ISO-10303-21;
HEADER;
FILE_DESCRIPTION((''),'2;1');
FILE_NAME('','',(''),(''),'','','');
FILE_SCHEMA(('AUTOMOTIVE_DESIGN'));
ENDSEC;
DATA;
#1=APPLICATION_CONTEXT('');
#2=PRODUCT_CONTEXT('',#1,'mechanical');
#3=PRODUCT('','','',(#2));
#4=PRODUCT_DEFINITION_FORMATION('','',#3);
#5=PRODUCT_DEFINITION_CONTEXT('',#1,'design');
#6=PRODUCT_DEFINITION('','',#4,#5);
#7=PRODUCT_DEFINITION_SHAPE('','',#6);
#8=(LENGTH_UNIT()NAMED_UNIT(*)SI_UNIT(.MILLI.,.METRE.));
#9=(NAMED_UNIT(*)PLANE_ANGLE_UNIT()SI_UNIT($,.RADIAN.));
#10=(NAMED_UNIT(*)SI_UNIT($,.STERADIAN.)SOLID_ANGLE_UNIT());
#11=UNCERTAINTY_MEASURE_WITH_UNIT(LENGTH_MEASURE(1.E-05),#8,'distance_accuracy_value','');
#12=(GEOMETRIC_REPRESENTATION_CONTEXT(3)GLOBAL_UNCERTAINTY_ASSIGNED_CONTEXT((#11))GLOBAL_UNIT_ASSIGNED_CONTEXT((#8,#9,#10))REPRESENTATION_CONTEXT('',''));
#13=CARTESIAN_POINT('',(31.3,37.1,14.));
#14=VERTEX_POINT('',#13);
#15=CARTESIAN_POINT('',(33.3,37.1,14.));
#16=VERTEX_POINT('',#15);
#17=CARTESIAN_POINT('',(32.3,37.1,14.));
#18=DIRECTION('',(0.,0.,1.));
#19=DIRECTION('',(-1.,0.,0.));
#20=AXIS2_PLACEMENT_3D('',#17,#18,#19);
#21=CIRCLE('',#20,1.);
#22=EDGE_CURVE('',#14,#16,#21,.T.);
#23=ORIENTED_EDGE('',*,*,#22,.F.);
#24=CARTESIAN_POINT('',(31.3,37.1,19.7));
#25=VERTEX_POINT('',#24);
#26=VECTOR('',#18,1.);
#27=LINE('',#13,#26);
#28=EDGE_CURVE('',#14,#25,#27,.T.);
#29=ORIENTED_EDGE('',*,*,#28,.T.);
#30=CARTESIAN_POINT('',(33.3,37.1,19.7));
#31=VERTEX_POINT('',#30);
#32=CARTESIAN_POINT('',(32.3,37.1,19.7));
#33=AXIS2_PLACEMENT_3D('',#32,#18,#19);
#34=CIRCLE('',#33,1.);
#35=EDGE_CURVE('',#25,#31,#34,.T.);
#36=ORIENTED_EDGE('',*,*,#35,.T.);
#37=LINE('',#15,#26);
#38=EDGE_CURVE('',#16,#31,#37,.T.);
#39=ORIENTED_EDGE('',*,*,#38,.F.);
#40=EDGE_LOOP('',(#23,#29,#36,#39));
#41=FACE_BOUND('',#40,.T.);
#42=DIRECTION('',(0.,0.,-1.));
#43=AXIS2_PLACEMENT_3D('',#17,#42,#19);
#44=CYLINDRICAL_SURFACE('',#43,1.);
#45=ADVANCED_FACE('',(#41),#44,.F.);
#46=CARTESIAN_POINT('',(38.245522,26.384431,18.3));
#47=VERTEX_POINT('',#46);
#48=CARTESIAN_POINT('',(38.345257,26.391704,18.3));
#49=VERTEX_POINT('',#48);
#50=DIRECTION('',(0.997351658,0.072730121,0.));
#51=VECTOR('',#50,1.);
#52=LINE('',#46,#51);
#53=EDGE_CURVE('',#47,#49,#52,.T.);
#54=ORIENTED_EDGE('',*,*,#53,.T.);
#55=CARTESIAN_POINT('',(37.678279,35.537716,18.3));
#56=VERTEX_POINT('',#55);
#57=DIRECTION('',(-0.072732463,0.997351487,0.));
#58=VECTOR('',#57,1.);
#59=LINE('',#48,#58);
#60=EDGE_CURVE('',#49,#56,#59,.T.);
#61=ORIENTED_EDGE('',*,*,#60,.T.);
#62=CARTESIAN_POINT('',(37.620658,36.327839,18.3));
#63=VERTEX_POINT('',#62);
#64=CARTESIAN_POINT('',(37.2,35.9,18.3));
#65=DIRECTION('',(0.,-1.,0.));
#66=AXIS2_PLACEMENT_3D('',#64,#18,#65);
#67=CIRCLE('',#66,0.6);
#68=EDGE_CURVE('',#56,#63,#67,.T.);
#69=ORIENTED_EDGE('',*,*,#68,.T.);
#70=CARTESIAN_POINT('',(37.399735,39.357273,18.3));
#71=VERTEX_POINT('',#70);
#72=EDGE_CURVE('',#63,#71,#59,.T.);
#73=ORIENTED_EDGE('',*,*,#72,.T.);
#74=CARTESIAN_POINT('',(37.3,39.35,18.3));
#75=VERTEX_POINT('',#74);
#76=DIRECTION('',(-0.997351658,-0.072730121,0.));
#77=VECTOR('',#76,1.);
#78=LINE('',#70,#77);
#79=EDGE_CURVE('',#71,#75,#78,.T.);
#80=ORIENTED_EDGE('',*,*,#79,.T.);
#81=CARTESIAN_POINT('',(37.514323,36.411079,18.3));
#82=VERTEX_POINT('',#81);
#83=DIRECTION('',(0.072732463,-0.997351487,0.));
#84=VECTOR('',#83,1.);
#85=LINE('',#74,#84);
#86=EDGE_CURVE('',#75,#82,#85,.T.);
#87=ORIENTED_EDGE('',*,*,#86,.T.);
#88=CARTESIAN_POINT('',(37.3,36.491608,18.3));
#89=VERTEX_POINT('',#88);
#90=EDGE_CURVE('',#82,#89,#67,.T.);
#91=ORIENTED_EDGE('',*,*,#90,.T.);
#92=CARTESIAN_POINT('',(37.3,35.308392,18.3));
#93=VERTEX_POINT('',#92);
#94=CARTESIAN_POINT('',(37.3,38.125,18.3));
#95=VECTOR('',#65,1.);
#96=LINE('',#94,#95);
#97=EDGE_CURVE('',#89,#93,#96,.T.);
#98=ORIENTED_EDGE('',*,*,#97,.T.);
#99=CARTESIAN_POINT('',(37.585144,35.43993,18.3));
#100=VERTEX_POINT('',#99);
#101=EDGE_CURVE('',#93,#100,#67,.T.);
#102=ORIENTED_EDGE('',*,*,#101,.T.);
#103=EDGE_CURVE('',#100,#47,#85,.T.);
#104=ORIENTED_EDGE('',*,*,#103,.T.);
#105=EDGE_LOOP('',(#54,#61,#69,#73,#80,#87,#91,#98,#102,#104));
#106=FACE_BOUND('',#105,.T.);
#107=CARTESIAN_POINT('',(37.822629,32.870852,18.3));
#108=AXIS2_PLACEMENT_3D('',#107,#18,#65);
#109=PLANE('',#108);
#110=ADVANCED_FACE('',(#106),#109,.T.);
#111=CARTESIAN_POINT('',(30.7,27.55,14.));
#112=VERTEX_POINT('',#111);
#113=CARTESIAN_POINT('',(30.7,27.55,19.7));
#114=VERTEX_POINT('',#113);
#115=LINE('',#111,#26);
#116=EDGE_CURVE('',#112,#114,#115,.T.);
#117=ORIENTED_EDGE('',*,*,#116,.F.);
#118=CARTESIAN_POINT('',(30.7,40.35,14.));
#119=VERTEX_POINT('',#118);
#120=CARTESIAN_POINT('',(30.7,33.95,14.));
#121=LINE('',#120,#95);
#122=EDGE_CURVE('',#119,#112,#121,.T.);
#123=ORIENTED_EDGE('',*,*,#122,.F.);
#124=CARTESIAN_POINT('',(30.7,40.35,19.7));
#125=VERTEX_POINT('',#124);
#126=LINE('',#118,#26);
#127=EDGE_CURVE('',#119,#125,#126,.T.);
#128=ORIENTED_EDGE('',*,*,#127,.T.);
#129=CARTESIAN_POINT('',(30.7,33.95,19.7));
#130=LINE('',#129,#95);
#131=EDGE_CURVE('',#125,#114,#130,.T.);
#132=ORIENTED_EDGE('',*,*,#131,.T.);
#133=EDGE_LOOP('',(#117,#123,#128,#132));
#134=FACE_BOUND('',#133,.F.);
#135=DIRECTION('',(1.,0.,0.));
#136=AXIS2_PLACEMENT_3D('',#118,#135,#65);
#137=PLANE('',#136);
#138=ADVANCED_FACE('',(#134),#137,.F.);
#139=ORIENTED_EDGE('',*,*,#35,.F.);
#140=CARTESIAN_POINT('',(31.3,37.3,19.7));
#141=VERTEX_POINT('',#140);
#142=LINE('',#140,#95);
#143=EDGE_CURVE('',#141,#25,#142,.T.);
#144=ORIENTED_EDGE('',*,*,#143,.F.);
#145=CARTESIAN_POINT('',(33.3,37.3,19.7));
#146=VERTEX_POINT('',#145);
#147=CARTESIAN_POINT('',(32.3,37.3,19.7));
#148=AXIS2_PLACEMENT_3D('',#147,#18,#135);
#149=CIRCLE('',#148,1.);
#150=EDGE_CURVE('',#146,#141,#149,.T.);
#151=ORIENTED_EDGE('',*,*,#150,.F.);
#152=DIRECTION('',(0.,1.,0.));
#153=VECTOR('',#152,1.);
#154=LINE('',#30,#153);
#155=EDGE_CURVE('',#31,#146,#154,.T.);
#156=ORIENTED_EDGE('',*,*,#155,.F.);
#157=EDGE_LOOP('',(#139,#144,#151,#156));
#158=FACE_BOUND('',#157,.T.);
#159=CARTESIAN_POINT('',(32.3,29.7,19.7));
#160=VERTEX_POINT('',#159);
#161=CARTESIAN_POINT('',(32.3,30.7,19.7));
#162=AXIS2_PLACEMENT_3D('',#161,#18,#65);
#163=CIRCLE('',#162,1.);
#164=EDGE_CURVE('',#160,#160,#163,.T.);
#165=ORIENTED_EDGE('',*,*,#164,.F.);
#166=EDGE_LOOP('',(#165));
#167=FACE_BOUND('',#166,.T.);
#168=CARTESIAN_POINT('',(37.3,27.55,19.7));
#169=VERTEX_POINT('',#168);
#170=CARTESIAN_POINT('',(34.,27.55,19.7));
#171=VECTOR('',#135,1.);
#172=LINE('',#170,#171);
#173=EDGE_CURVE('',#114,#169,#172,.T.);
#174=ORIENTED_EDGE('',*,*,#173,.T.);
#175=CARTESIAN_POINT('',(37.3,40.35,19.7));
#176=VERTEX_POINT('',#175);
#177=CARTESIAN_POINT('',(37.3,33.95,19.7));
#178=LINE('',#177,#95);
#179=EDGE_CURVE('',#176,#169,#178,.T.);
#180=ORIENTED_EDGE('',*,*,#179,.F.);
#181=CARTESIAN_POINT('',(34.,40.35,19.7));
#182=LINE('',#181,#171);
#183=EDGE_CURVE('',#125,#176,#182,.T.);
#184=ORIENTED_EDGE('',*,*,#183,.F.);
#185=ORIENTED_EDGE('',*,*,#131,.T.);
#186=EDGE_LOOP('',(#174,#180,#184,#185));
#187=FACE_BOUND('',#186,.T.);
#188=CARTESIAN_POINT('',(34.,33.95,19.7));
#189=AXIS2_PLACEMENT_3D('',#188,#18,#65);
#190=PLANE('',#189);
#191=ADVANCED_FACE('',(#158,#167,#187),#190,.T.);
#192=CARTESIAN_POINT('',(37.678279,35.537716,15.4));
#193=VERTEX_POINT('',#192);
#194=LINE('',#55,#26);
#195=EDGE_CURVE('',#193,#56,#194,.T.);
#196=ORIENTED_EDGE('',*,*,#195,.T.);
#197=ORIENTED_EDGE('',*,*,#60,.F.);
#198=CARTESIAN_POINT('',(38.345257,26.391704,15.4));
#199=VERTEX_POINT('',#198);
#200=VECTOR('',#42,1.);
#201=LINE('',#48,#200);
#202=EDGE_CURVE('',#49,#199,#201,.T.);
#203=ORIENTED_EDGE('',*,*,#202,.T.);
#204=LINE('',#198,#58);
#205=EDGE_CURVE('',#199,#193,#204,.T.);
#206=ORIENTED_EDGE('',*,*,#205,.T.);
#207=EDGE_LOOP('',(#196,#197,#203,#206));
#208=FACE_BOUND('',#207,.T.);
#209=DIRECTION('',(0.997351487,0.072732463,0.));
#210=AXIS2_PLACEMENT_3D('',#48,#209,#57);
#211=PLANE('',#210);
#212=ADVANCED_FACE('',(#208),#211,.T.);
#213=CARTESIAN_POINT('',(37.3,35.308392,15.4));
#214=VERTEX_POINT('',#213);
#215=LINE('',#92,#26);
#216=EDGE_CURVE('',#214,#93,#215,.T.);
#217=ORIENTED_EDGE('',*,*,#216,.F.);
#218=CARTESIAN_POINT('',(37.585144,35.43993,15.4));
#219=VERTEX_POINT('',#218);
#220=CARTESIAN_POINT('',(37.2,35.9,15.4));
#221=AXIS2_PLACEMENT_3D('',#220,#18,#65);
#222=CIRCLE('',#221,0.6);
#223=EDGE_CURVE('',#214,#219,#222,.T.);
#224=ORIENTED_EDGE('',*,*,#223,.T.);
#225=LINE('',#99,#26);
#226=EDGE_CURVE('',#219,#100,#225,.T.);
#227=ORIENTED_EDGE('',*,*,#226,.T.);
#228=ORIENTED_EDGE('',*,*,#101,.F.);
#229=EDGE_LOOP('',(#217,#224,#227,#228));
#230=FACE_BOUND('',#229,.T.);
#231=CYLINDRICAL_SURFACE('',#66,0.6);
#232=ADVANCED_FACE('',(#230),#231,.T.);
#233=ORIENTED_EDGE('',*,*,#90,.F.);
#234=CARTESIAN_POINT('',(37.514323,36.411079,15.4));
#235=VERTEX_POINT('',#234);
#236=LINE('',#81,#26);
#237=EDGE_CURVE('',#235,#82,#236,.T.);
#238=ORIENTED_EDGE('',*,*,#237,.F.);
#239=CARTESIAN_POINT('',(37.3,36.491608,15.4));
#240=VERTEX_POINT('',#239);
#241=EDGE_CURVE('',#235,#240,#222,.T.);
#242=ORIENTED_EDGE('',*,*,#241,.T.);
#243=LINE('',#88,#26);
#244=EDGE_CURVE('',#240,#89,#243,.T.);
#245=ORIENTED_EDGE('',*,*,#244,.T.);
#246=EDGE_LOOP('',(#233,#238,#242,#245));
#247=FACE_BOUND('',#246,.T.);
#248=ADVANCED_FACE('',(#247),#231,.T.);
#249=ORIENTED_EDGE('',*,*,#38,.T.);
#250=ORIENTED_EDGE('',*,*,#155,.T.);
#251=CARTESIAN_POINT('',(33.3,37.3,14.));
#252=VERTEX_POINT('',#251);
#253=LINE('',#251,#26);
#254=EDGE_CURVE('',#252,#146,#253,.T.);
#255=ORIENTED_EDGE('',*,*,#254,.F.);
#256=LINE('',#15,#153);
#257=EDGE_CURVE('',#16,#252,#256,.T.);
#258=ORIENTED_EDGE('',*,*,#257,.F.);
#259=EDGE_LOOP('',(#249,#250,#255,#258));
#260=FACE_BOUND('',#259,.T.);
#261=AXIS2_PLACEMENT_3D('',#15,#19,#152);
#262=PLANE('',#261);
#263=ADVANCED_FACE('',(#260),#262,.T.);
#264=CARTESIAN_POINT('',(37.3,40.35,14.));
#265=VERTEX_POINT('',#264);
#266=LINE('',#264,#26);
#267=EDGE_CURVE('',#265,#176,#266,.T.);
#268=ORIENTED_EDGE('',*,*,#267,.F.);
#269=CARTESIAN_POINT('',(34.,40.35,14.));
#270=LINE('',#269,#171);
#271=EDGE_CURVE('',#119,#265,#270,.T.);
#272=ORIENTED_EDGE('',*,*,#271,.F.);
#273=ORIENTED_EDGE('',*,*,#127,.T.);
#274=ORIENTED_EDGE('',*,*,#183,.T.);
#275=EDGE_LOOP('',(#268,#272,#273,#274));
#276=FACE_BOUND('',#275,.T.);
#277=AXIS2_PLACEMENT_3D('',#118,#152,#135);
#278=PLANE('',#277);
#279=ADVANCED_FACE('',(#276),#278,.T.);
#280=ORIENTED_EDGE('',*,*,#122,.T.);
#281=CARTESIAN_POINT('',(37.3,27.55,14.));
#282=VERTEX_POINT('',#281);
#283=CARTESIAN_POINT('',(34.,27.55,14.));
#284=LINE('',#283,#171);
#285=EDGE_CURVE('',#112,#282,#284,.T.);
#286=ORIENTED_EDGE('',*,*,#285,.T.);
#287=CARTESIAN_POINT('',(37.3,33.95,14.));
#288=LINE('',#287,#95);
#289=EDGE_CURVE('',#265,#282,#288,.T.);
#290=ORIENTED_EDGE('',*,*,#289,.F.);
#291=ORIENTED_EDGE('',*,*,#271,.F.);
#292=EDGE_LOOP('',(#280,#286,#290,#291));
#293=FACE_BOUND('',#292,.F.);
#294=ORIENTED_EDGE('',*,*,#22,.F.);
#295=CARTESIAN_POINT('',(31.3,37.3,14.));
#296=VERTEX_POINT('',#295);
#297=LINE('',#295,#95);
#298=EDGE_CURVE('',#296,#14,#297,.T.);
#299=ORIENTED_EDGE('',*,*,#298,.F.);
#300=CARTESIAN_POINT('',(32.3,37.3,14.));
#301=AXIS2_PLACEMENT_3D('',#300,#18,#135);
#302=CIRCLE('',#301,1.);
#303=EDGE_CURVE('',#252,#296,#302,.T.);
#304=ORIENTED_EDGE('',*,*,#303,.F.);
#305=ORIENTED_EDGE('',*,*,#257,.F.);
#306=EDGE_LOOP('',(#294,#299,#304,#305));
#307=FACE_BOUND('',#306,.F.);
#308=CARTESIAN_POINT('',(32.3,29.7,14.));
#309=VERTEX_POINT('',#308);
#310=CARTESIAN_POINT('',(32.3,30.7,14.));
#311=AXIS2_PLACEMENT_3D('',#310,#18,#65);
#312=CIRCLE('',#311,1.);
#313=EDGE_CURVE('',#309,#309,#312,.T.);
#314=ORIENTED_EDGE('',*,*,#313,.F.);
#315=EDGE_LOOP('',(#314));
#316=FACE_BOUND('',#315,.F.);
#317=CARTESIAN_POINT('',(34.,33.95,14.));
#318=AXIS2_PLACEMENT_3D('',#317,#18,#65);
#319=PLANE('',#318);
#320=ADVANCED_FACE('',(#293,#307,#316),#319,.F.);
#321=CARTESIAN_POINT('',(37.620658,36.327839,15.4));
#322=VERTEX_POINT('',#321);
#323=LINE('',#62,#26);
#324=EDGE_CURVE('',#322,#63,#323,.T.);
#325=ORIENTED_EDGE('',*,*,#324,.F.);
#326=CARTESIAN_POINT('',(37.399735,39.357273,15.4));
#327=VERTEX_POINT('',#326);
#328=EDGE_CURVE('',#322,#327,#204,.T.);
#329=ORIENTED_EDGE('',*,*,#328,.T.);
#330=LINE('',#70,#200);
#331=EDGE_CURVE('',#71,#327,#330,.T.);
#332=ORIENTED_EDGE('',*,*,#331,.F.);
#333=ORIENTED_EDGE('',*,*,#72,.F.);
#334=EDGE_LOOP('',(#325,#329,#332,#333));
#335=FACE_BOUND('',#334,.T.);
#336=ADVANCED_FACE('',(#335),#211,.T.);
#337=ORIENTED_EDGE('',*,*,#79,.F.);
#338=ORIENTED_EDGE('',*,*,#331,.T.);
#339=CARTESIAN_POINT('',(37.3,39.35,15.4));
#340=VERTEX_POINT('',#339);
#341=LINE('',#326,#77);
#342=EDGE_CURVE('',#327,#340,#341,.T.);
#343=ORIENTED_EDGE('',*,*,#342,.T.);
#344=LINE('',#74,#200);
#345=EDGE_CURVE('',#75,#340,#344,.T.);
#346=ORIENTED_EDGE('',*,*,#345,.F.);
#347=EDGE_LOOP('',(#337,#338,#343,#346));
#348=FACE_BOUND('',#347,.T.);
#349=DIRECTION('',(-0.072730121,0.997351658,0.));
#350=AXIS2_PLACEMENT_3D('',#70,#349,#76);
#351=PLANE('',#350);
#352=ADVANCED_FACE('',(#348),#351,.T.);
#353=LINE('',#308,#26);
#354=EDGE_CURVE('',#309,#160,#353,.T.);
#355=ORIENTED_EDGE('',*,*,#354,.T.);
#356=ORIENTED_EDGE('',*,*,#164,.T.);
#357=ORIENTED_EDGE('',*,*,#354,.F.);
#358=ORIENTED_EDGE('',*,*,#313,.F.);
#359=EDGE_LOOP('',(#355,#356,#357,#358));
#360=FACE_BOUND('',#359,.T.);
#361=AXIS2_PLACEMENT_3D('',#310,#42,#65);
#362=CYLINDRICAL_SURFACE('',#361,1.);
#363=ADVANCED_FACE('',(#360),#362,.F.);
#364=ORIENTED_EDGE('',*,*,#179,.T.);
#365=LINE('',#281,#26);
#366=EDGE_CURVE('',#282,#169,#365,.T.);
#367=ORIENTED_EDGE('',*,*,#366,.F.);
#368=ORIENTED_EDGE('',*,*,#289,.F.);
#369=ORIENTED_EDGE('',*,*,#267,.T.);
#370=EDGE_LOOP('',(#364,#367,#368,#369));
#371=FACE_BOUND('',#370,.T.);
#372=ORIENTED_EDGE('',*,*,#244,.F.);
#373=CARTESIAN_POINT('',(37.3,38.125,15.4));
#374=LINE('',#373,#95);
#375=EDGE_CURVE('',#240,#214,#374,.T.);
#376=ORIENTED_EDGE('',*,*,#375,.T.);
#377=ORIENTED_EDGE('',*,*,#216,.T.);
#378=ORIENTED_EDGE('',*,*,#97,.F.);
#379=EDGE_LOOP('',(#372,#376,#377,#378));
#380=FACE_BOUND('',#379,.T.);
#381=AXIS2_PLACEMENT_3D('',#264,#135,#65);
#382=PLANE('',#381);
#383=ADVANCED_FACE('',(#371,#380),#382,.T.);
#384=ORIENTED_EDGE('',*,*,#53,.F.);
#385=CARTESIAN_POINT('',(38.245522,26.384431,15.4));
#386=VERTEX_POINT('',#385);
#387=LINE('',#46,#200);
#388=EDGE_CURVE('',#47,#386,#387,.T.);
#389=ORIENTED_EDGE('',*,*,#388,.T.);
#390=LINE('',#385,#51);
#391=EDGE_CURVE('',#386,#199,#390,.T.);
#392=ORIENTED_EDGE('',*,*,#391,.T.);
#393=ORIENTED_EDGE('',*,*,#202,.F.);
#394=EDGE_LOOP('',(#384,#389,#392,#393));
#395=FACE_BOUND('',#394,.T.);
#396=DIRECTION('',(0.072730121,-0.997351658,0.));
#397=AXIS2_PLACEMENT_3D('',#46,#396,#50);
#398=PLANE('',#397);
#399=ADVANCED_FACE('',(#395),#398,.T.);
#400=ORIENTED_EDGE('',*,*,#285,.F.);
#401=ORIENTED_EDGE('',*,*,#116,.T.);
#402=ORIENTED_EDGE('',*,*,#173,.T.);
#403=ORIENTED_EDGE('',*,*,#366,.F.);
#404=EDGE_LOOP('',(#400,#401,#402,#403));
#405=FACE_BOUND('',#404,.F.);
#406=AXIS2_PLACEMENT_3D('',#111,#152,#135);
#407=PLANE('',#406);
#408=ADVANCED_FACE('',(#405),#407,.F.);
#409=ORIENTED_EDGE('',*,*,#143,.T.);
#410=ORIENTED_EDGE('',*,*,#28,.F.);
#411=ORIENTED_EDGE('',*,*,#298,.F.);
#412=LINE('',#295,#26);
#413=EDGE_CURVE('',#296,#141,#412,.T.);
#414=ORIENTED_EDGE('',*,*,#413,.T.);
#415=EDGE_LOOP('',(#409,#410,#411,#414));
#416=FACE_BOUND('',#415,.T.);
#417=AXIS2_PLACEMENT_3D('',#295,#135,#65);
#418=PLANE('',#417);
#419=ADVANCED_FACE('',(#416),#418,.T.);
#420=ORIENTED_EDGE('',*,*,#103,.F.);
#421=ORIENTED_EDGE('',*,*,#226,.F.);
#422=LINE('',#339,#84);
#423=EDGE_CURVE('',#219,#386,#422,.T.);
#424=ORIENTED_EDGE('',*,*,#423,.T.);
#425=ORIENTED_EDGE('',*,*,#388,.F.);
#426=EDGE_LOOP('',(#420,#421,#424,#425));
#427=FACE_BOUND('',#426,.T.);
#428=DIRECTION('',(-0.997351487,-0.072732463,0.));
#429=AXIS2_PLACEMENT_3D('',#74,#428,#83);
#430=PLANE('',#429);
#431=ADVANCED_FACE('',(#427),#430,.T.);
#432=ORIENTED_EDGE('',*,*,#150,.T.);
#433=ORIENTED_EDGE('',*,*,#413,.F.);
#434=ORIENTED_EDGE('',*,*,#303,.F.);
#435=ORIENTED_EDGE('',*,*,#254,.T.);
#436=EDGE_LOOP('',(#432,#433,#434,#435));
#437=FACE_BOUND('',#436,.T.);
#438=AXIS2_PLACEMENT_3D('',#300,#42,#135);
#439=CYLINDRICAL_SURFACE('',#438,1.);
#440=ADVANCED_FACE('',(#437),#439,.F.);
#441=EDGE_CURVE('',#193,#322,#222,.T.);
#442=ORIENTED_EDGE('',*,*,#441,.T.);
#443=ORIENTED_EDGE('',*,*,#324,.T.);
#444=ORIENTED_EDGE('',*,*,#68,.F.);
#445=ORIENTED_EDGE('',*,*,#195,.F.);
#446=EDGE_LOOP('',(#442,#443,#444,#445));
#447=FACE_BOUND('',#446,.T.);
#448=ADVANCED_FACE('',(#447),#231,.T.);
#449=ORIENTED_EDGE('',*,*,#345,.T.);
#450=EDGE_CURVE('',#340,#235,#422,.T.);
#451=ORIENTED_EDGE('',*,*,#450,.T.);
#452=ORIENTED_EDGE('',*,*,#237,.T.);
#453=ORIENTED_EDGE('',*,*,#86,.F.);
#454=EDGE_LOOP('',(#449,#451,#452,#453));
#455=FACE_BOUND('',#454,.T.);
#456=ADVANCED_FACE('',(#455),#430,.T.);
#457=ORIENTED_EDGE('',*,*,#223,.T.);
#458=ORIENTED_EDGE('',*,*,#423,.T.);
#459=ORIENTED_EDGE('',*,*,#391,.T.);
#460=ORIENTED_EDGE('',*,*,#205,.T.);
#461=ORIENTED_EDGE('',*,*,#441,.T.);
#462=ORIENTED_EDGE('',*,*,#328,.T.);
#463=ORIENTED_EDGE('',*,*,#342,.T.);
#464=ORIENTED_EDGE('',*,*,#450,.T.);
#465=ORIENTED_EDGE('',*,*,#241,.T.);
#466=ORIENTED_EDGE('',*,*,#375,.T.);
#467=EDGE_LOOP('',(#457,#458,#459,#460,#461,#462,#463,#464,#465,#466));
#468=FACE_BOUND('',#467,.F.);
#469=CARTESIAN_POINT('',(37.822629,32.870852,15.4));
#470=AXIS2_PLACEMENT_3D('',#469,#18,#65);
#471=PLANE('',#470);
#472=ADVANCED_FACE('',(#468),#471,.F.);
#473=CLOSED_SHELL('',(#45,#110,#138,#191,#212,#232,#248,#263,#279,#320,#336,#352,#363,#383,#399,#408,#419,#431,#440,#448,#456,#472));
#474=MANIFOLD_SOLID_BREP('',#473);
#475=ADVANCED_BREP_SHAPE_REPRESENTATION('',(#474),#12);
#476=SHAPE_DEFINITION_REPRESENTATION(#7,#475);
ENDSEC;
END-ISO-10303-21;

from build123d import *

# Parameters (mm, degrees)
SKETCH018_W             = 12.8
SKETCH018_H             = 6.6
SKETCH018_R             = 1
PAD004_DEPTH            = 5.7
PAD005_DEPTH            = 2.9
PAD006_DEPTH            = 2.9
BODY004_PLACEMENT_ANGLE = 90


with BuildPart() as part:
    # Sketch018 → Pad004 (new body)
    with BuildSketch(Plane.XY):
        Rectangle(SKETCH018_W, SKETCH018_H)
        with Locations((3.25, -1.7)):
            Circle(SKETCH018_R, mode=Mode.SUBTRACT)
        with BuildLine():
            ThreePointArc((-3.35, -0.7), (-4.35, -1.7), (-3.35, -2.7))
            Line((-3.35, -2.7), (-3.15, -2.7))
            ThreePointArc((-3.15, -2.7), (-2.15, -1.7), (-3.15, -0.7))
            Line((-3.15, -0.7), (-3.35, -0.7))
        make_face(mode=Mode.SUBTRACT)
    extrude(amount=PAD004_DEPTH)

    # Sketch019 (on Face11 of Pad004) → Pad005 (join)
    with BuildSketch(Plane.XY.offset(4.3)):
        with BuildLine():
            ThreePointArc((-1.35, 3.2), (-1.95, 3.8), (-2.55, 3.2))
            Line((-2.55, 3.2), (-1.35, 3.2))
        make_face()
    extrude(amount=-PAD005_DEPTH)

    # Sketch022 (on Face4 of Pad005) → Pad006 (join)
    with BuildSketch(Plane.XY.offset(4.3)):
        Polygon((-5.4, 3.3), (7.565569, 4.245522), (7.558296, 4.345257), (-5.407273, 3.399735), align=None)
    extrude(amount=-PAD006_DEPTH)


with BuildPart() as part_1:
    # Body004 placement: moved
    add(part.part.moved(Location((34, 33.95, 14))).rotate(Axis((34, 33.95, 14), (0, 0, -1)), BODY004_PLACEMENT_ANGLE))


solid = part_1.part
